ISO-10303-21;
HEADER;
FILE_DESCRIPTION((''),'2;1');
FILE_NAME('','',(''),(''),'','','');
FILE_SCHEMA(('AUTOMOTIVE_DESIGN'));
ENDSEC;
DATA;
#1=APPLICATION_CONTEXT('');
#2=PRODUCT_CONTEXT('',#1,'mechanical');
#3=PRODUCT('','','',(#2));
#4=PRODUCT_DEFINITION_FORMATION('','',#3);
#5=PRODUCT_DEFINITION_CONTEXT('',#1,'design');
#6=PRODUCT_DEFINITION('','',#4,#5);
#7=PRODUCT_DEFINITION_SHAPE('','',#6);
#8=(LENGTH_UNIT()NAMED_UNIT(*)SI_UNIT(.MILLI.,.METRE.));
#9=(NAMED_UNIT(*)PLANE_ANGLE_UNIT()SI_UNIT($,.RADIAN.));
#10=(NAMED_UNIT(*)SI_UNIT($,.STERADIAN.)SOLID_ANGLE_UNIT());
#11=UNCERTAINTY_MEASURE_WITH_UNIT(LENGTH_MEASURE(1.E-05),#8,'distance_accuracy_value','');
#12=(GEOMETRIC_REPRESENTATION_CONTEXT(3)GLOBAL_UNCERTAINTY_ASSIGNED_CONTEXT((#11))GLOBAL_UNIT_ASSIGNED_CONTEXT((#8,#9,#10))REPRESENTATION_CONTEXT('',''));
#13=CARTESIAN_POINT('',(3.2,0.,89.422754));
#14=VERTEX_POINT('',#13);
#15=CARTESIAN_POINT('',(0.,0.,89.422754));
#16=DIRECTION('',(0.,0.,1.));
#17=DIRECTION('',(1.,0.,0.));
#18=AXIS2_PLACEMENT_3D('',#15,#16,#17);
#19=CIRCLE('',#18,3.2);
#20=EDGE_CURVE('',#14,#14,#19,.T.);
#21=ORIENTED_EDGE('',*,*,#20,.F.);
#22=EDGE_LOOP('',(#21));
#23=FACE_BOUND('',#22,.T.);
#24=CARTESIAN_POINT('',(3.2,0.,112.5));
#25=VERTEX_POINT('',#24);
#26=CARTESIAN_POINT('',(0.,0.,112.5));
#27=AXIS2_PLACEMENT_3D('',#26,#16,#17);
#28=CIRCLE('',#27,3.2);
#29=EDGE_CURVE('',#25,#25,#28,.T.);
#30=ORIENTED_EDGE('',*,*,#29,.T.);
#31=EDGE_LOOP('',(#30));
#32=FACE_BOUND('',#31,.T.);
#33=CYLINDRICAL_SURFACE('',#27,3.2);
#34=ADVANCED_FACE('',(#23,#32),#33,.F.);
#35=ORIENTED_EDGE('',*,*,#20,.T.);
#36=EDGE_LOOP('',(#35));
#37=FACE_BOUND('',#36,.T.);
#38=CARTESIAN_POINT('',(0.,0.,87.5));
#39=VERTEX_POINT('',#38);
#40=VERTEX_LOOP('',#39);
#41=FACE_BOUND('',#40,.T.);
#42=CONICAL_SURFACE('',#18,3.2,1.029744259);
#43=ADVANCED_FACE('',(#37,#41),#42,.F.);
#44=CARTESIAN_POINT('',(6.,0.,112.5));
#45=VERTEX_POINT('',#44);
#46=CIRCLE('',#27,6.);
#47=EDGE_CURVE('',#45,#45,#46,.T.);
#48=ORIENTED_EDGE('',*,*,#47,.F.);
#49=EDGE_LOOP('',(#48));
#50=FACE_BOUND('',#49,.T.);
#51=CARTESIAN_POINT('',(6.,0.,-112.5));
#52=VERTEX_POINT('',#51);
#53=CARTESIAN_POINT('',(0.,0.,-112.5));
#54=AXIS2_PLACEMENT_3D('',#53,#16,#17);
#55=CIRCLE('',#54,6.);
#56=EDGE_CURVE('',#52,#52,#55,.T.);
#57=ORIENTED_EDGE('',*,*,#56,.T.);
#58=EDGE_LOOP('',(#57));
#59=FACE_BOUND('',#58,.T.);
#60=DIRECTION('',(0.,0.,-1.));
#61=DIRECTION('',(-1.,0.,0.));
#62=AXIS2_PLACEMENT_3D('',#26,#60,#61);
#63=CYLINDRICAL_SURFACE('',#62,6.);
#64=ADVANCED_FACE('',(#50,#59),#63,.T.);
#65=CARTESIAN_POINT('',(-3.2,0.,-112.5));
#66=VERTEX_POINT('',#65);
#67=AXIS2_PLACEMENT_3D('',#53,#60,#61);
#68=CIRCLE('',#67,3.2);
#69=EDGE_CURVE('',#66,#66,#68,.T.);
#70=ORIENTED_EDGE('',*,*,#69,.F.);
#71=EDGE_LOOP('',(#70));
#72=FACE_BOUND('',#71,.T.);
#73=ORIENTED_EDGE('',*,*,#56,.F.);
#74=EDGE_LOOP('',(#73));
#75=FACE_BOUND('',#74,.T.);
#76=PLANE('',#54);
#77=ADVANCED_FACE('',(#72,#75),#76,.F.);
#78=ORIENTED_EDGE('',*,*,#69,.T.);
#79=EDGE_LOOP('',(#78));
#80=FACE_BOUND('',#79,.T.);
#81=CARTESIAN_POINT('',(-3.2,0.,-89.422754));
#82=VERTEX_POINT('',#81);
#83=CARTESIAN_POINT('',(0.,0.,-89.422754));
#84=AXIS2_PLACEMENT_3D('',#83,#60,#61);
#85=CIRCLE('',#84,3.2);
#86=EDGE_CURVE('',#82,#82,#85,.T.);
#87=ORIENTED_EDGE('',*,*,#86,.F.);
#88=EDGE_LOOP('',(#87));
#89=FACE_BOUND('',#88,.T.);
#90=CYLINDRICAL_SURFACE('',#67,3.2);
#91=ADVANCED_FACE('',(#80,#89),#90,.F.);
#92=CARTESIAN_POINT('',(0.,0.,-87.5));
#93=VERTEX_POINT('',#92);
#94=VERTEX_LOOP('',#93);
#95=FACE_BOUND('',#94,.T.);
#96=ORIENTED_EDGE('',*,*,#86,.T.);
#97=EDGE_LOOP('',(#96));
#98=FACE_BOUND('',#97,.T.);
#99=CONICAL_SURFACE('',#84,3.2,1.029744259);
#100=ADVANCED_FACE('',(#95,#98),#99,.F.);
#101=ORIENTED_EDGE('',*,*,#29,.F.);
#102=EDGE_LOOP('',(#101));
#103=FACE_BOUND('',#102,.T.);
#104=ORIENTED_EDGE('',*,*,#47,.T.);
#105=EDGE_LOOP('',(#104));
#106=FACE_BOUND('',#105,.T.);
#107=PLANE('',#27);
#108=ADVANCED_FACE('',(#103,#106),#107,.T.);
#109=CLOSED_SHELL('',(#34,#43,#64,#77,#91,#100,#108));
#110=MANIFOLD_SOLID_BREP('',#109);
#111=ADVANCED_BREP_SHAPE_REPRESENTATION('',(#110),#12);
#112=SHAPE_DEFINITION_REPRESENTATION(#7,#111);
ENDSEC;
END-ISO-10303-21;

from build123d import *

# Parameters (mm, degrees)
SCHIZZO1_R                   = 6
ESTRUSIONE_ESTRUSIONE1_DEPTH = 112.5


with BuildPart() as part:
    # Schizzo1 → Estrusione-Estrusione1 (new, symmetric)
    with BuildSketch(Plane.XY):
        Circle(SCHIZZO1_R)
    extrude(amount=ESTRUSIONE_ESTRUSIONE1_DEPTH, both=True)

    # Schizzo3 → Foro per Vite M6-1 (revolve, cut)
    with BuildSketch(Plane(origin=(0, 0, 112.5), x_dir=(0, -1, 0), z_dir=(1, 0, 0))):
        Polygon((0, 0), (0, 25), (3.2, 23.077246019), (3.2, 0), align=None)
    foro_per_vite_m6_1 = revolve(axis=Axis((0, 0, 118.85), (0, 0, -1)), mode=Mode.SUBTRACT)

    # Specchia1: Foro per Vite M6-1 across plane
    add(foro_per_vite_m6_1.mirror(Plane.XY), mode=Mode.SUBTRACT)


solid = part.part
